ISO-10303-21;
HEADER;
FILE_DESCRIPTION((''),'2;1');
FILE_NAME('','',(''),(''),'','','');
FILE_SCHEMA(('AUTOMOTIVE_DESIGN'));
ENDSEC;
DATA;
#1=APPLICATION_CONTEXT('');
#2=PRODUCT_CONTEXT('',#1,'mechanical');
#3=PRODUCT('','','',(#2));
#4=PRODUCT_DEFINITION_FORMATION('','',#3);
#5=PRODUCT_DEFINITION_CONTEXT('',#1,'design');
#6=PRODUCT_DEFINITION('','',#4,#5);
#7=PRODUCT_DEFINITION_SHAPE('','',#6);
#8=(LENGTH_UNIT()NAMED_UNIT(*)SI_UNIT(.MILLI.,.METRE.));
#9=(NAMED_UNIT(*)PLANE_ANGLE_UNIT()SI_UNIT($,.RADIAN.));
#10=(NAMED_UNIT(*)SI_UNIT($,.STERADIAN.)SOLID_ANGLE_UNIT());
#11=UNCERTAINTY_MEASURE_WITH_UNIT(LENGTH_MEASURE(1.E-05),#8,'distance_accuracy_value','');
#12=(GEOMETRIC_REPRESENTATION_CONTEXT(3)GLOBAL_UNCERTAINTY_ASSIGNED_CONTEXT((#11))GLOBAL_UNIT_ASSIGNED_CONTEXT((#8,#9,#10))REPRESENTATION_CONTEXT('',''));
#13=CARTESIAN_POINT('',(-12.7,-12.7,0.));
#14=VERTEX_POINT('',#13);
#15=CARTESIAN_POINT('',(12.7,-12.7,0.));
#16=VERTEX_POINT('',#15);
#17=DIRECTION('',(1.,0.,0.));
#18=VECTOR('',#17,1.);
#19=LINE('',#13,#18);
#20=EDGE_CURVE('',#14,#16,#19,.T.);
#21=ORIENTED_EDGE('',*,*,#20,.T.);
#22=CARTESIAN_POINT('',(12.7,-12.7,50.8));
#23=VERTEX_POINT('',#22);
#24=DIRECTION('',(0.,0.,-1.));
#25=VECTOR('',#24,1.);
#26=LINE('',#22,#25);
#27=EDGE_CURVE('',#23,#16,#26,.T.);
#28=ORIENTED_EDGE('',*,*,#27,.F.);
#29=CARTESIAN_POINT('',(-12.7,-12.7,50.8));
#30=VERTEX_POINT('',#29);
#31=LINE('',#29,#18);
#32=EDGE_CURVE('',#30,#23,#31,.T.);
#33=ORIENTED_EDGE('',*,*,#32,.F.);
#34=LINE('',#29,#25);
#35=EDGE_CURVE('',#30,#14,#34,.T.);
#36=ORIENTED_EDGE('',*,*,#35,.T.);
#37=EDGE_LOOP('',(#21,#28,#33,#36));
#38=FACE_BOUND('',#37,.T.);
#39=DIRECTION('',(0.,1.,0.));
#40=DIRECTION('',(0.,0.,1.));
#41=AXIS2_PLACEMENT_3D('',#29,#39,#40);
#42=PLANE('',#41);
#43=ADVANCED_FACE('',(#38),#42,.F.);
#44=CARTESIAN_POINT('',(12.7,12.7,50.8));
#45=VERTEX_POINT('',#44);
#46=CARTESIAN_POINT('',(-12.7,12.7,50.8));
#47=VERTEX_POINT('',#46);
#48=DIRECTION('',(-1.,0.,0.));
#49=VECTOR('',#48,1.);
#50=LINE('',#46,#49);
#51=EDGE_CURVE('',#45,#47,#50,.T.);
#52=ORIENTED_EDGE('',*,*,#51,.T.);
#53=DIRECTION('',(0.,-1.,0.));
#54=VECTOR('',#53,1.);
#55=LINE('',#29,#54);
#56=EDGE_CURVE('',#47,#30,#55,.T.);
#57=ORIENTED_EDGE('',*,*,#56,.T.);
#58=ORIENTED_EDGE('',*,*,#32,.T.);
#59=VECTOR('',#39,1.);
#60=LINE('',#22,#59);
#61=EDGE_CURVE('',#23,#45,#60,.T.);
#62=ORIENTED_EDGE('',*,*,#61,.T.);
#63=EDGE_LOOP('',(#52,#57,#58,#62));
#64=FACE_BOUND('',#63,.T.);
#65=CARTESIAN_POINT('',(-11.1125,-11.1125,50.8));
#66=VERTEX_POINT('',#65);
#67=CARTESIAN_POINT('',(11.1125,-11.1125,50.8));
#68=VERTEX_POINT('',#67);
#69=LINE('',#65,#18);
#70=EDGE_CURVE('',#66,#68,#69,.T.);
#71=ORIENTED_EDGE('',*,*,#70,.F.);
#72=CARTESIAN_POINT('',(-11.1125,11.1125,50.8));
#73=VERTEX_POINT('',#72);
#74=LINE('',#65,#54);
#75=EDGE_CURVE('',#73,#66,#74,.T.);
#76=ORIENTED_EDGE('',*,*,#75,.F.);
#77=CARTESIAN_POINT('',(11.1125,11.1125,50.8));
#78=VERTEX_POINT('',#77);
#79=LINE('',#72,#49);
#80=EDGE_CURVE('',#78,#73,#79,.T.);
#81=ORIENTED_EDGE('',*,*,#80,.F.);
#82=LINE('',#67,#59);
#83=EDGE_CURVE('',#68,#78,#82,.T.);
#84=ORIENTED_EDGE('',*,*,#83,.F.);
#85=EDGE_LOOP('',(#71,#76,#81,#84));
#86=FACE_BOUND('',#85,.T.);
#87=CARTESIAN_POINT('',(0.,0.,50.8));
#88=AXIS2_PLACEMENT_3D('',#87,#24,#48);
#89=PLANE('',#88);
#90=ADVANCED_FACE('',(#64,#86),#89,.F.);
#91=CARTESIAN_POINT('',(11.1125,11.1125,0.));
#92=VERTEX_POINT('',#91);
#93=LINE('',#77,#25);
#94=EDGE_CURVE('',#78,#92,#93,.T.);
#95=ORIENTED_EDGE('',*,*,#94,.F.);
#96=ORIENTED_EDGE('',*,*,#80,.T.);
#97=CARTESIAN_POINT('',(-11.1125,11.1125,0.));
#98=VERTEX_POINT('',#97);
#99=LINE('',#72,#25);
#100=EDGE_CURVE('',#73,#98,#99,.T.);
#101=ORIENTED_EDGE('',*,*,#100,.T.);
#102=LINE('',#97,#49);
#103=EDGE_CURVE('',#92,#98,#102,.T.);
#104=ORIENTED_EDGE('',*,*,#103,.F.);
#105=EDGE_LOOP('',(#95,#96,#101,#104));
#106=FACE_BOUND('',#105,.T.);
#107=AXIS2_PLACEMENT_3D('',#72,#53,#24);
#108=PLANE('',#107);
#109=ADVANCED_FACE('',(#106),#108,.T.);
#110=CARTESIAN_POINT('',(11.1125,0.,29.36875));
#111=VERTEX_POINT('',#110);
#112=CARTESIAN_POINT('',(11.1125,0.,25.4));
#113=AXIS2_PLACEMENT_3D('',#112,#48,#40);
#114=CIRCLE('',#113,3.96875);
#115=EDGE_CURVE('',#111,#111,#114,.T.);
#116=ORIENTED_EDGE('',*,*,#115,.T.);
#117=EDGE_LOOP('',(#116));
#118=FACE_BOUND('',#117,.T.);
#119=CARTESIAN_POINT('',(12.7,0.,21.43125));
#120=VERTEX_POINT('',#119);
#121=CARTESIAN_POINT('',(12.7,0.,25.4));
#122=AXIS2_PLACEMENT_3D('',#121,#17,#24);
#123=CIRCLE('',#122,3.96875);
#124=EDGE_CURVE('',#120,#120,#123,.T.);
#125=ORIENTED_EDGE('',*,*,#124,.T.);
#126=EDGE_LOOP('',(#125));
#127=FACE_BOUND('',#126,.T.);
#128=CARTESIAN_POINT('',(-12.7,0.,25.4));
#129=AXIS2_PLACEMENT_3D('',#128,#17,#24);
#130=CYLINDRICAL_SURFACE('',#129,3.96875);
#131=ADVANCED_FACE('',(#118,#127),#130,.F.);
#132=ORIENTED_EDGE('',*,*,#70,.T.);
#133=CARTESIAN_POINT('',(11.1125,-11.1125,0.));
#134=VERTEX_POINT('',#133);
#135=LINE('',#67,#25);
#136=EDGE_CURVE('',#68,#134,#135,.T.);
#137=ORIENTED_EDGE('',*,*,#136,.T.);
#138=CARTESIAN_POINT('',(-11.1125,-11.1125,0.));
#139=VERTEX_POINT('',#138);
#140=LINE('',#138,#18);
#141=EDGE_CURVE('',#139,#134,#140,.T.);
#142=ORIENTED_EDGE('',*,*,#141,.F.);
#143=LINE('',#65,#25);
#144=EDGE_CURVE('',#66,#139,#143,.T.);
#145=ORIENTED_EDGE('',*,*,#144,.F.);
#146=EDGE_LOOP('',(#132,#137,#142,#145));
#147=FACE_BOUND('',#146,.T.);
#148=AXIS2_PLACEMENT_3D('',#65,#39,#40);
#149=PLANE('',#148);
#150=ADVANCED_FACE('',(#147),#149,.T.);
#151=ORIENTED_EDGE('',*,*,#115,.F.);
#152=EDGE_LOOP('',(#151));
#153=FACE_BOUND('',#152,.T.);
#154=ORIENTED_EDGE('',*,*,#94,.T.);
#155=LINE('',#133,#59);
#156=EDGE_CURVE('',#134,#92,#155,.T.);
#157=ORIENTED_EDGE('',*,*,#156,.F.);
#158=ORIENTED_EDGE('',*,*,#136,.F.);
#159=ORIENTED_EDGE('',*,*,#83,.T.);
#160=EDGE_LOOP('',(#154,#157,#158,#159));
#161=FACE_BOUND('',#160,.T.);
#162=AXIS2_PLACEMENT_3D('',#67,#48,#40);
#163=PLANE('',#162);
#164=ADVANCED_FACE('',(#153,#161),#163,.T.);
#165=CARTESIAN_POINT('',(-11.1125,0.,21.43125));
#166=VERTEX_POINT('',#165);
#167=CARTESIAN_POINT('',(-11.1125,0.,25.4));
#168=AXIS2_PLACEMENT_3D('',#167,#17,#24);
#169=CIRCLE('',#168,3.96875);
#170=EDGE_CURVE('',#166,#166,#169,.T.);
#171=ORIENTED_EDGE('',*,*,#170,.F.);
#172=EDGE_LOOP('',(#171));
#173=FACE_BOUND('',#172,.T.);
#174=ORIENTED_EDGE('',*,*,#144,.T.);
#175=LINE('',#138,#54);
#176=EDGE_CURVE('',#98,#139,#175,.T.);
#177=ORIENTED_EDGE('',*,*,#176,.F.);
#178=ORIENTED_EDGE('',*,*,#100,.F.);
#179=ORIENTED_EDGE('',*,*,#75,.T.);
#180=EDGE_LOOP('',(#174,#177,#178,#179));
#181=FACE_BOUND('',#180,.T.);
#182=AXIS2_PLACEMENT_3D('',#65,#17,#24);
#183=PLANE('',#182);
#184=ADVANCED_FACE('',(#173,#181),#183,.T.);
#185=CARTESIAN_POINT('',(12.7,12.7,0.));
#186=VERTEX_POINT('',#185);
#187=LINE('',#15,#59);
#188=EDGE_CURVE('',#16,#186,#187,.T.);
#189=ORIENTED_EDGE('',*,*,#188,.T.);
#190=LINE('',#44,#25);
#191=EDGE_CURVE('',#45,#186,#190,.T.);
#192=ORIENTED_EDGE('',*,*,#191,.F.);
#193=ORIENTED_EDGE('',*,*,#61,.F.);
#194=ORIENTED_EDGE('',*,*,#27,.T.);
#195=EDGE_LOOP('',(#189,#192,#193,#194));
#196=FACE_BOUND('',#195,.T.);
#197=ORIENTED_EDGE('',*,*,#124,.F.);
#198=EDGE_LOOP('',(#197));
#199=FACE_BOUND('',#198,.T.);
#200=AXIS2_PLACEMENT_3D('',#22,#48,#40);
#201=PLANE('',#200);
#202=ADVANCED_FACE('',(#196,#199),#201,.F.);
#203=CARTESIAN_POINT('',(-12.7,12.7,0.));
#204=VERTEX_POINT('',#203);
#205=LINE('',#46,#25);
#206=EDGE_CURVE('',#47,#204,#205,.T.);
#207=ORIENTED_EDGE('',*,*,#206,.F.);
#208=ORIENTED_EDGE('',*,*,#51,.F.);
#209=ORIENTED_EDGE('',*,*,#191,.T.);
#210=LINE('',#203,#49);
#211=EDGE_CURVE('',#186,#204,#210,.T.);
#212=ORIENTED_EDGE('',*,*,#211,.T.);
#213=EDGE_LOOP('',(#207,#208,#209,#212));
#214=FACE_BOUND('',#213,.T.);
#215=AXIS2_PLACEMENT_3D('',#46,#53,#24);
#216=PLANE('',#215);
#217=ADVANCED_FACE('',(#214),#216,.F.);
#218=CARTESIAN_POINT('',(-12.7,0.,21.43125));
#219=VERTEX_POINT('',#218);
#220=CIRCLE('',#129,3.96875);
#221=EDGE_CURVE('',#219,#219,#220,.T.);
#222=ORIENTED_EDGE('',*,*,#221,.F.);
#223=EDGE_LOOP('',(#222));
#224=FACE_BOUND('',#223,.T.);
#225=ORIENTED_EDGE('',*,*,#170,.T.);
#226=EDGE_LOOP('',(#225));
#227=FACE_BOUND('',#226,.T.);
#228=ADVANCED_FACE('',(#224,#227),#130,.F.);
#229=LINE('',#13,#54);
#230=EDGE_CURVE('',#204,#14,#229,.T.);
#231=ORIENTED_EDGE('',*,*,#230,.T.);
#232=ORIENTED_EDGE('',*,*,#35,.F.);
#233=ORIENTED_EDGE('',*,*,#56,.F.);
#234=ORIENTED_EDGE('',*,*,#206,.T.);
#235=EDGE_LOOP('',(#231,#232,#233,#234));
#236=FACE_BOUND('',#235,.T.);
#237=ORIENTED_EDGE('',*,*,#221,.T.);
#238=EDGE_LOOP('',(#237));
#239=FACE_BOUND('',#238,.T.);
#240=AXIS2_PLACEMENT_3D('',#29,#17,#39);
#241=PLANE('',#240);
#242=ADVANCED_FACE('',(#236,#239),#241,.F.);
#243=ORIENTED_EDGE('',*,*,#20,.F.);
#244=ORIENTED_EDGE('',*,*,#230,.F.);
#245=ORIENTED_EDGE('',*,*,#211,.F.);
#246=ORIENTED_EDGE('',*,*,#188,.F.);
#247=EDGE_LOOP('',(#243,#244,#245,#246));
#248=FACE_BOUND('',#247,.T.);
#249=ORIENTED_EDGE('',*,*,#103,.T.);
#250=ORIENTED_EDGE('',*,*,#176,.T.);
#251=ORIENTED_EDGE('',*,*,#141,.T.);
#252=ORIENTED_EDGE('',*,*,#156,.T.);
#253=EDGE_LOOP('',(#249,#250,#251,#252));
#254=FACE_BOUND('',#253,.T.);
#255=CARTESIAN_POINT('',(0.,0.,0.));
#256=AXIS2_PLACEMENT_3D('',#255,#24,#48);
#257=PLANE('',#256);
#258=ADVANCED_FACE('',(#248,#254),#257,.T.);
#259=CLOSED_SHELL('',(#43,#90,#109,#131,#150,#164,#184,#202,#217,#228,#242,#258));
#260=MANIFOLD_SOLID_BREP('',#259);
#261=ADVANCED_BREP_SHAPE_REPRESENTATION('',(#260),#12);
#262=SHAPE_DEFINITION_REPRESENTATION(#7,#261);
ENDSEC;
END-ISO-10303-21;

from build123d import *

# Parameters (mm, degrees)
SKETCH1_W           = 25.4
SKETCH1_H           = 25.4
SKETCH1_W_2         = 22.225
SKETCH1_H_2         = 22.225
BOSS_EXTRUDE1_DEPTH = 50.8
SKETCH2_R           = 3.96875
CUT_EXTRUDE2_DEPTH  = 59.198711326


with BuildPart() as part:
    # Sketch1 → Boss-Extrude1 (new body)
    with BuildSketch(Plane.XY):
        Rectangle(SKETCH1_W, SKETCH1_H)
        Rectangle(SKETCH1_W_2, SKETCH1_H_2, mode=Mode.SUBTRACT)
    extrude(amount=BOSS_EXTRUDE1_DEPTH)

    # Sketch2 → Cut-Extrude2 (cut, through all)
    with BuildSketch(Plane(origin=(12.7, 0, 0), x_dir=(0, 0, -1), z_dir=(1, 0, 0))):
        with Locations((-25.4, 0)):
            Circle(SKETCH2_R)
    extrude(amount=-CUT_EXTRUDE2_DEPTH, mode=Mode.SUBTRACT)


solid = part.part
